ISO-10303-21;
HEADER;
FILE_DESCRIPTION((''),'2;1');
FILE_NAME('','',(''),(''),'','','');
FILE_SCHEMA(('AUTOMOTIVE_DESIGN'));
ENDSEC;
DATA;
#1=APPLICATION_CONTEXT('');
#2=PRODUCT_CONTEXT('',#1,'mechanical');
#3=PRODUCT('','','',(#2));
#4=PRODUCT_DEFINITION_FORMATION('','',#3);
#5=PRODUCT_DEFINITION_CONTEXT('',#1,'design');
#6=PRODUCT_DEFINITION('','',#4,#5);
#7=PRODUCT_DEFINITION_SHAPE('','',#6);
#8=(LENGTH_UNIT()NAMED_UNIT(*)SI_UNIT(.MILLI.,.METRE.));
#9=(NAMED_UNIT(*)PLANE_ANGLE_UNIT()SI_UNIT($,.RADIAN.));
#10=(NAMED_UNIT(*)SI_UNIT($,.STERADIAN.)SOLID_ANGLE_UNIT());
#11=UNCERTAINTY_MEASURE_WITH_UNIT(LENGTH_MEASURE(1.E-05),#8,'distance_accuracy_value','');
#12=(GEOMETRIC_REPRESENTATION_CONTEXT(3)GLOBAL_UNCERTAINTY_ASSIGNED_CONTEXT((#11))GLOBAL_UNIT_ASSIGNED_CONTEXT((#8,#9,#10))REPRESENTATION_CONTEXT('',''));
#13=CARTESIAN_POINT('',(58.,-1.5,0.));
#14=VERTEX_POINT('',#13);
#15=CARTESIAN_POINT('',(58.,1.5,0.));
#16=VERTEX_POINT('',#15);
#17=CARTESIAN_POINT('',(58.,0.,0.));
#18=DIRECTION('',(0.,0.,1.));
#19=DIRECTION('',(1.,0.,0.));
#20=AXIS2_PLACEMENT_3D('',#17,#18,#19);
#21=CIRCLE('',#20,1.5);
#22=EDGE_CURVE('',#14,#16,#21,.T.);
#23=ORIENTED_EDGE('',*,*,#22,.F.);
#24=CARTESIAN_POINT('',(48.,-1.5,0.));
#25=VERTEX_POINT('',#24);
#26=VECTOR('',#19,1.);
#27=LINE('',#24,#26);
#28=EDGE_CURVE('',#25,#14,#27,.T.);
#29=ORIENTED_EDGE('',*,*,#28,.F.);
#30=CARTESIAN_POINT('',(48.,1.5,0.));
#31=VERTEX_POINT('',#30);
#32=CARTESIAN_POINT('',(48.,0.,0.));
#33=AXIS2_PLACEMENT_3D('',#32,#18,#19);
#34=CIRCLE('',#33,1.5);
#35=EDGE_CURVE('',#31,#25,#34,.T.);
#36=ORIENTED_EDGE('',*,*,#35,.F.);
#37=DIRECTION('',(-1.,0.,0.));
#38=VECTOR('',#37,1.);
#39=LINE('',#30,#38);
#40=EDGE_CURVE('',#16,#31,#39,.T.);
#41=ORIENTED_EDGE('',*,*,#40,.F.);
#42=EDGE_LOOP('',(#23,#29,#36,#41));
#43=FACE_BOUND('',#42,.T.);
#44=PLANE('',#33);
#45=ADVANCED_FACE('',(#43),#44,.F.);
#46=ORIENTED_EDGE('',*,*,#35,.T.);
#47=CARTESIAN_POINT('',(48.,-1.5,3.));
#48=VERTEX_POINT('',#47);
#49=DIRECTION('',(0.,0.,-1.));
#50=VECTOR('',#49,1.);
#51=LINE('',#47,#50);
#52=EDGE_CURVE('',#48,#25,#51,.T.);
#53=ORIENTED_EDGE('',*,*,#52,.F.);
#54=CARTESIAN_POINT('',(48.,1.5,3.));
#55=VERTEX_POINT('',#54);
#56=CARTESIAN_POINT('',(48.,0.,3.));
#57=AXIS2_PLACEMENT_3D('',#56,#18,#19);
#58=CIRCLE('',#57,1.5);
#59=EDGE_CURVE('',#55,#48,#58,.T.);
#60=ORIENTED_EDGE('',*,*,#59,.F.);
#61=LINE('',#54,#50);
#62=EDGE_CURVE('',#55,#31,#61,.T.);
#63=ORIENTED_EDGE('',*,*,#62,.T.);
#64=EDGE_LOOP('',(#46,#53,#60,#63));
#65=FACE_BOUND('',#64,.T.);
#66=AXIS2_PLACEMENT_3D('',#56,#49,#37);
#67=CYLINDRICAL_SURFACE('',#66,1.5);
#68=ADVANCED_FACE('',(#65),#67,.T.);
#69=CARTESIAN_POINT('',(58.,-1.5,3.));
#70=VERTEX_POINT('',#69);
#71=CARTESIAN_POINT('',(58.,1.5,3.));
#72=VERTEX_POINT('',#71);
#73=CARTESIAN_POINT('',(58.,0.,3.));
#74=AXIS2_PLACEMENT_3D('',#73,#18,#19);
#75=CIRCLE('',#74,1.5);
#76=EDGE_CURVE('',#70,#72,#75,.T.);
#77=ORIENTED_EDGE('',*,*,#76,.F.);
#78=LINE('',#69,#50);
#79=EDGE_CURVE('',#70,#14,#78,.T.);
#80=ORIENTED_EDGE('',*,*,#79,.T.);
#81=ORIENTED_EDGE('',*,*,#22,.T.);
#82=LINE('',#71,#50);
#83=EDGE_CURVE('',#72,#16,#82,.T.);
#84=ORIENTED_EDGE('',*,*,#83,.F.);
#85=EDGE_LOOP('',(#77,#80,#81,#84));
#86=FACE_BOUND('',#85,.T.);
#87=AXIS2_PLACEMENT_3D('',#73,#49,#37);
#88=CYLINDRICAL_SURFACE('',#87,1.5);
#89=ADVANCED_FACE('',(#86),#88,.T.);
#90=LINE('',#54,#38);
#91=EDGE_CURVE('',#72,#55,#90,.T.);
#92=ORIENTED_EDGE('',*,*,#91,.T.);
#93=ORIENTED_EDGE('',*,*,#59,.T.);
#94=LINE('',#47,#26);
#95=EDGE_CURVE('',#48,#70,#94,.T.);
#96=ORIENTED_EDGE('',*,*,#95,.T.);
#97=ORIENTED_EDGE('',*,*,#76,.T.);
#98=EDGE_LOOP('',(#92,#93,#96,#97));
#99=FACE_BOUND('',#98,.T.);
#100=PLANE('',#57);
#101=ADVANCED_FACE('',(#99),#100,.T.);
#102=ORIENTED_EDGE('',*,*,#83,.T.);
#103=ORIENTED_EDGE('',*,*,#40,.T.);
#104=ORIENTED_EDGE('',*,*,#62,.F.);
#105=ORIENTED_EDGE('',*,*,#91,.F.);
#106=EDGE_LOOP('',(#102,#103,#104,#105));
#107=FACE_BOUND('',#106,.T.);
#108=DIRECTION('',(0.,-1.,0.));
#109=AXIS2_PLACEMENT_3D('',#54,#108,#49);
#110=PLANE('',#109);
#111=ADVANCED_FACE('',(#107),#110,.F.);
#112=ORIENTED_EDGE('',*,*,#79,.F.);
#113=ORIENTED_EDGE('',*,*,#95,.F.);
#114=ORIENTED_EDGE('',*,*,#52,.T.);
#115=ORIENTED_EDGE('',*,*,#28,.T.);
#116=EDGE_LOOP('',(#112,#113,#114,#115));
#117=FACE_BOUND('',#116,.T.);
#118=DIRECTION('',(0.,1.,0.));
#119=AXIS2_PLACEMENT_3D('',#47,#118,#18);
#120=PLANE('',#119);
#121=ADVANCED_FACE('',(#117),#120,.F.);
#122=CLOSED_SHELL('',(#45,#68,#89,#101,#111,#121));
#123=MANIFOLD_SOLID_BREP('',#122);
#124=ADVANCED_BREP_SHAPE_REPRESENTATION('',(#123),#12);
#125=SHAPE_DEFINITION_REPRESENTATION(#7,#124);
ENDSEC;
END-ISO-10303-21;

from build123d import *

# Parameters (mm, degrees)
EXTRUSION1_DEPTH = 3


with BuildPart() as part:
    # Esquisse2 → Extrusion1 (new body)
    with BuildSketch(Plane.XY):
        with BuildLine():
            Line((48, 1.5), (58, 1.5))
            ThreePointArc((58, 1.5), (59.5, 0), (58, -1.5))
            Line((58, -1.5), (48, -1.5))
            ThreePointArc((48, -1.5), (46.5, 0), (48, 1.5))
        make_face()
    extrude(amount=EXTRUSION1_DEPTH)


solid = part.part
